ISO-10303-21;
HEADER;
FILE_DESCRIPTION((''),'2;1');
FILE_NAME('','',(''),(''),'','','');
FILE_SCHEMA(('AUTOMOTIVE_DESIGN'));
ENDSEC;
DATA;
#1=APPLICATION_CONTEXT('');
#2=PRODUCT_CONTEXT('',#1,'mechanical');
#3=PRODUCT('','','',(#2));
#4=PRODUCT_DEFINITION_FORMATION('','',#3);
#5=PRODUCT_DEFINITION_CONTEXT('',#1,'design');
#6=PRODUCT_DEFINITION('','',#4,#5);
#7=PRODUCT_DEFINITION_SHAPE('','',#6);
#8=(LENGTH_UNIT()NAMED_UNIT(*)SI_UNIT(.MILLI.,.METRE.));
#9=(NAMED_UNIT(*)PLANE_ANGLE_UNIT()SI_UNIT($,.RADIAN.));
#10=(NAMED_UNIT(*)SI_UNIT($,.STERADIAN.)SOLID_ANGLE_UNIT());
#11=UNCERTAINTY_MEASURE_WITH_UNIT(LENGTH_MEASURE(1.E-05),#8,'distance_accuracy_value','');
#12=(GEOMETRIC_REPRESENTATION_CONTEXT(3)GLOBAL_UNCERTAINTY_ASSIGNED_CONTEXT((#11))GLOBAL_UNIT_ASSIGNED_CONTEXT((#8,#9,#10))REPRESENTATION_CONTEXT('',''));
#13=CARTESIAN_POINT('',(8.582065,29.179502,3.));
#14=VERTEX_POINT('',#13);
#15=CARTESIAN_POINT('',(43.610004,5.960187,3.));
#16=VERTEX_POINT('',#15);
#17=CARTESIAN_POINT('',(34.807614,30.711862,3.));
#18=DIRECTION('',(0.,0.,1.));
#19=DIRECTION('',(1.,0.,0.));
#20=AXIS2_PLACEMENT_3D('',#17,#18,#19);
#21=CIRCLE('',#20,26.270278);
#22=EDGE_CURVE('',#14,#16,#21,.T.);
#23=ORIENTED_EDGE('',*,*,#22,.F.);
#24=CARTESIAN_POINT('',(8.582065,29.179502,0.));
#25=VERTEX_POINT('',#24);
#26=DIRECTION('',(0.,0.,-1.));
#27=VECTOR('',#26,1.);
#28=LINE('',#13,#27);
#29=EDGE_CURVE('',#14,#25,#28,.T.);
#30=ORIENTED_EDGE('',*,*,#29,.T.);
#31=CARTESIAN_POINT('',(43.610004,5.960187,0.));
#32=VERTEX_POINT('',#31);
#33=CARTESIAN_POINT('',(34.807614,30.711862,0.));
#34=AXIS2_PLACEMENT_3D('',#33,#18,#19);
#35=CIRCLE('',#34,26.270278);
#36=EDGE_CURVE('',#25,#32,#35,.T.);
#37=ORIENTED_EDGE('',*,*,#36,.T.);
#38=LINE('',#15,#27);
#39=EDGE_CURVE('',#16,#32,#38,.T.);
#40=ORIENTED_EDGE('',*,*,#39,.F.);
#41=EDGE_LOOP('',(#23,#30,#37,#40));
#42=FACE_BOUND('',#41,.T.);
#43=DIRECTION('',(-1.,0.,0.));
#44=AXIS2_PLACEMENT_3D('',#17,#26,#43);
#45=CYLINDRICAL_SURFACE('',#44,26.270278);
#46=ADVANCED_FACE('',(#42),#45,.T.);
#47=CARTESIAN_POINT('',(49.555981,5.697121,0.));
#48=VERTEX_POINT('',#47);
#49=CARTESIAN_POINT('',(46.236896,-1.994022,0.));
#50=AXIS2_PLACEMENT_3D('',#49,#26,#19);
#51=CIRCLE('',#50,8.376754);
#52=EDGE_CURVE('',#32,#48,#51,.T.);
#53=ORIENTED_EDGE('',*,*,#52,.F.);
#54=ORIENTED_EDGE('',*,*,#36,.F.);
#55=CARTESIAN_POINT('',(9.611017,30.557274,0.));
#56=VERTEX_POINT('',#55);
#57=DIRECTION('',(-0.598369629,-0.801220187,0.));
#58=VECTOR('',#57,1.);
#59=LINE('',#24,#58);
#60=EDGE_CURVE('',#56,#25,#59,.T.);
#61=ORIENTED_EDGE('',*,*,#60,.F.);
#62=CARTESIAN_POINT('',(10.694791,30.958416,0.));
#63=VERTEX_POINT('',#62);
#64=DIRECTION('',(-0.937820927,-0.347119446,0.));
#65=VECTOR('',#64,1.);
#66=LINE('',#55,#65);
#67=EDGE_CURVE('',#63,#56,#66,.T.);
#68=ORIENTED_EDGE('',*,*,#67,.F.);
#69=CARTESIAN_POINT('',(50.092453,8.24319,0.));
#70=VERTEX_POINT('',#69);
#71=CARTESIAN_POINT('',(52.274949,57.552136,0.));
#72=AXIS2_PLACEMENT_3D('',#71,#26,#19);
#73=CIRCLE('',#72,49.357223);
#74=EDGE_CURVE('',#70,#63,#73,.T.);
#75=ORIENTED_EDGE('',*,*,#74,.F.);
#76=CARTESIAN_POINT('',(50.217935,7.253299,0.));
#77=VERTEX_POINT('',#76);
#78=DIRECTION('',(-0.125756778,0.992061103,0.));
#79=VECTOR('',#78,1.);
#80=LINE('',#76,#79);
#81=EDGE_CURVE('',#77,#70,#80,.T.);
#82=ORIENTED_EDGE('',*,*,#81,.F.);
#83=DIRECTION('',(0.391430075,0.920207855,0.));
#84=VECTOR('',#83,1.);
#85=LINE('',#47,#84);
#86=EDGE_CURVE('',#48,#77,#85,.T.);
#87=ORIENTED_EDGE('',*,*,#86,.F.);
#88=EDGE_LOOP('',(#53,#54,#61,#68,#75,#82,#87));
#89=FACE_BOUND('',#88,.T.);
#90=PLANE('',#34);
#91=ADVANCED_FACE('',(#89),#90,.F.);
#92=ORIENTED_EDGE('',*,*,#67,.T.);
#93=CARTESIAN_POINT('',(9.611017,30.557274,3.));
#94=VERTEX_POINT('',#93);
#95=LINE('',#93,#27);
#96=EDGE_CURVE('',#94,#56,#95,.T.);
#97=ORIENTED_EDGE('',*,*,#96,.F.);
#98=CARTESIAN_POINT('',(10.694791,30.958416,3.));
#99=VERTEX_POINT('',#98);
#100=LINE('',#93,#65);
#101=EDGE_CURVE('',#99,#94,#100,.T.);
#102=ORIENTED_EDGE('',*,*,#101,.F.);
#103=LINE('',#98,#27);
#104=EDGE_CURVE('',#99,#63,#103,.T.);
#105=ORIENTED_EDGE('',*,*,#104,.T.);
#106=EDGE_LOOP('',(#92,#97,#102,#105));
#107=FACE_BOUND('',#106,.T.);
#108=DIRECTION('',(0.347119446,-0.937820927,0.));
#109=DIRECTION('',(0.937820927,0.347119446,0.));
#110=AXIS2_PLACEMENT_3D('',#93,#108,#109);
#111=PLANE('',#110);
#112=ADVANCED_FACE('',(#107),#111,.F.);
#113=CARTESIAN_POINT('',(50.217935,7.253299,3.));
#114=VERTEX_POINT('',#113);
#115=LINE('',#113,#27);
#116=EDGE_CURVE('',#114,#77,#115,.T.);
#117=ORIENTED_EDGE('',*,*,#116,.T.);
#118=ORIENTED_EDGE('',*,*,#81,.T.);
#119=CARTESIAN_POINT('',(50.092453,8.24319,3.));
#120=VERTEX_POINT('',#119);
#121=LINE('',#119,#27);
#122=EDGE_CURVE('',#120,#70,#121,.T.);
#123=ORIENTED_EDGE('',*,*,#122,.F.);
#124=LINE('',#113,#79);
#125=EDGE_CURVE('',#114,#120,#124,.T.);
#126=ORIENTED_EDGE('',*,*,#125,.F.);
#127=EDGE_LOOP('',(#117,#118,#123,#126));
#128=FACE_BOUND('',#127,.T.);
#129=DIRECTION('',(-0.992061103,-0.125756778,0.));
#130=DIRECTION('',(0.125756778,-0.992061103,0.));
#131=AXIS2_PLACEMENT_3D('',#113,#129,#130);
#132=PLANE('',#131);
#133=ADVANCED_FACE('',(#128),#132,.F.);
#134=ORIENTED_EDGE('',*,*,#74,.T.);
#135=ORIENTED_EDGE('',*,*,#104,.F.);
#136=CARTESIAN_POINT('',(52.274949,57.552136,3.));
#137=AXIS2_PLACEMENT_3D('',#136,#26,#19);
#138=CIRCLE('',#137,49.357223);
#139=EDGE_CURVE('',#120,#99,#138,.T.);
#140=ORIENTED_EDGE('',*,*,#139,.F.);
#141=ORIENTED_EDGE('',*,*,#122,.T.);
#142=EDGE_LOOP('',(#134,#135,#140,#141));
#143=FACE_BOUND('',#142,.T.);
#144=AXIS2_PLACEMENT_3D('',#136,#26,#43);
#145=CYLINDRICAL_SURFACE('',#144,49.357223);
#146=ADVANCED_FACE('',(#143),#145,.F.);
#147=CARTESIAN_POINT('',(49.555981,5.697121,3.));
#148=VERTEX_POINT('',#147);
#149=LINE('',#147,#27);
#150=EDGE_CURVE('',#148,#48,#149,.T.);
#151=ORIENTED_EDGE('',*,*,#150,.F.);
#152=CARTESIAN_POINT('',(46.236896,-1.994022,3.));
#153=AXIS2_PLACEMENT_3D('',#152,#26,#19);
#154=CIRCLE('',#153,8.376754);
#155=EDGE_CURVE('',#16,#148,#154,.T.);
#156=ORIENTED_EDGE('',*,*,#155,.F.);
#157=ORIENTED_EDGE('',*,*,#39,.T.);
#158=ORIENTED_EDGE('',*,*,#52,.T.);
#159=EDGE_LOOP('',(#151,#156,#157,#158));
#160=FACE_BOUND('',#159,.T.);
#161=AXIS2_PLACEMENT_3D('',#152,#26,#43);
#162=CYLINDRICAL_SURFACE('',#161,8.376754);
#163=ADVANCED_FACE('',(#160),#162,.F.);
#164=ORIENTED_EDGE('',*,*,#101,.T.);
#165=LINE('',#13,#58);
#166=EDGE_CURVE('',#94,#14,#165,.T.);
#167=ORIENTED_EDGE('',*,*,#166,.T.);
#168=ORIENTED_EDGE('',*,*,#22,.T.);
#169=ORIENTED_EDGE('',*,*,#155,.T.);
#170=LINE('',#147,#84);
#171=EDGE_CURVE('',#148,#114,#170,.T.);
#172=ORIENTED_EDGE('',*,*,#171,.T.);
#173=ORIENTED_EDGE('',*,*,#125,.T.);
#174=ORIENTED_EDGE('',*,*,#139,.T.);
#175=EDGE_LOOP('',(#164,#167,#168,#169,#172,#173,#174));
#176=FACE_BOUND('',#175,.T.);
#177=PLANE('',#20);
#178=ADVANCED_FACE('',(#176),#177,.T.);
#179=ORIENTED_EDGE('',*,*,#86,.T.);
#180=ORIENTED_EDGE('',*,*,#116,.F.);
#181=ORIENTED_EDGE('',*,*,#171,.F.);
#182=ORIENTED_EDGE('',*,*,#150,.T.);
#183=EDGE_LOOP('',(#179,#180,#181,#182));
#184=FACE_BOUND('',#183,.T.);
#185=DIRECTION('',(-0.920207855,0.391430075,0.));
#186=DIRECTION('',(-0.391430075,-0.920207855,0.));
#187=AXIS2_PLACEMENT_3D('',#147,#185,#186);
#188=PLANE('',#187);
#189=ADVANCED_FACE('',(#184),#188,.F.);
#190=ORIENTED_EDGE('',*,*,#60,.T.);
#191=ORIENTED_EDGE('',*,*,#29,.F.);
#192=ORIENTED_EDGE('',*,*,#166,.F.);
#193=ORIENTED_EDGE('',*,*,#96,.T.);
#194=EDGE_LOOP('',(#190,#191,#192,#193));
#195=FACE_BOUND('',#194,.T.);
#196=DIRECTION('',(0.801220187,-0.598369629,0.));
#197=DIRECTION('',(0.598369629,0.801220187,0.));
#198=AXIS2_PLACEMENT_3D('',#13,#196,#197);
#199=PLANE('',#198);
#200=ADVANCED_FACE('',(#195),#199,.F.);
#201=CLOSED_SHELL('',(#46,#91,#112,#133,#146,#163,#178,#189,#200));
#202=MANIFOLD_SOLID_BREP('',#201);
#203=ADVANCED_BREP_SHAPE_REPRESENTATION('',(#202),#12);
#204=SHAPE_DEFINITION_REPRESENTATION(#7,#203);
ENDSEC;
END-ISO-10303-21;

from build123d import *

# Parameters (mm, degrees)
SALIENTE_EXTRUIR1_DEPTH = 3


with BuildPart() as part:
    # Model → Saliente-Extruir1 (new body)
    with BuildSketch(Plane.XY):
        with BuildLine():
            Line((49.555981249, 5.697120887), (50.217934692, 7.253298598))
            Line((50.217934692, 7.253298598), (50.092452983, 8.243189758))
            ThreePointArc((50.092452983, 8.243189758), (27.621595202, 14.792954102), (10.694790748, 30.958415843))
            Line((10.694790748, 30.958415843), (9.611017038, 30.557274304))
            Line((9.611017038, 30.557274304), (8.582065308, 29.179502343))
            ThreePointArc((8.582065308, 29.179502343), (9.359106699, 24.192582613), (11.075472958, 19.446294739))
            ThreePointArc((11.075472958, 19.446294739), (24.748133849, 6.443892033), (43.61000442, 5.960187025))
            ThreePointArc((43.61000442, 5.960187025), (46.607144549, 6.374545334), (49.555981249, 5.697120887))
        make_face()
    extrude(amount=SALIENTE_EXTRUIR1_DEPTH)


solid = part.part
